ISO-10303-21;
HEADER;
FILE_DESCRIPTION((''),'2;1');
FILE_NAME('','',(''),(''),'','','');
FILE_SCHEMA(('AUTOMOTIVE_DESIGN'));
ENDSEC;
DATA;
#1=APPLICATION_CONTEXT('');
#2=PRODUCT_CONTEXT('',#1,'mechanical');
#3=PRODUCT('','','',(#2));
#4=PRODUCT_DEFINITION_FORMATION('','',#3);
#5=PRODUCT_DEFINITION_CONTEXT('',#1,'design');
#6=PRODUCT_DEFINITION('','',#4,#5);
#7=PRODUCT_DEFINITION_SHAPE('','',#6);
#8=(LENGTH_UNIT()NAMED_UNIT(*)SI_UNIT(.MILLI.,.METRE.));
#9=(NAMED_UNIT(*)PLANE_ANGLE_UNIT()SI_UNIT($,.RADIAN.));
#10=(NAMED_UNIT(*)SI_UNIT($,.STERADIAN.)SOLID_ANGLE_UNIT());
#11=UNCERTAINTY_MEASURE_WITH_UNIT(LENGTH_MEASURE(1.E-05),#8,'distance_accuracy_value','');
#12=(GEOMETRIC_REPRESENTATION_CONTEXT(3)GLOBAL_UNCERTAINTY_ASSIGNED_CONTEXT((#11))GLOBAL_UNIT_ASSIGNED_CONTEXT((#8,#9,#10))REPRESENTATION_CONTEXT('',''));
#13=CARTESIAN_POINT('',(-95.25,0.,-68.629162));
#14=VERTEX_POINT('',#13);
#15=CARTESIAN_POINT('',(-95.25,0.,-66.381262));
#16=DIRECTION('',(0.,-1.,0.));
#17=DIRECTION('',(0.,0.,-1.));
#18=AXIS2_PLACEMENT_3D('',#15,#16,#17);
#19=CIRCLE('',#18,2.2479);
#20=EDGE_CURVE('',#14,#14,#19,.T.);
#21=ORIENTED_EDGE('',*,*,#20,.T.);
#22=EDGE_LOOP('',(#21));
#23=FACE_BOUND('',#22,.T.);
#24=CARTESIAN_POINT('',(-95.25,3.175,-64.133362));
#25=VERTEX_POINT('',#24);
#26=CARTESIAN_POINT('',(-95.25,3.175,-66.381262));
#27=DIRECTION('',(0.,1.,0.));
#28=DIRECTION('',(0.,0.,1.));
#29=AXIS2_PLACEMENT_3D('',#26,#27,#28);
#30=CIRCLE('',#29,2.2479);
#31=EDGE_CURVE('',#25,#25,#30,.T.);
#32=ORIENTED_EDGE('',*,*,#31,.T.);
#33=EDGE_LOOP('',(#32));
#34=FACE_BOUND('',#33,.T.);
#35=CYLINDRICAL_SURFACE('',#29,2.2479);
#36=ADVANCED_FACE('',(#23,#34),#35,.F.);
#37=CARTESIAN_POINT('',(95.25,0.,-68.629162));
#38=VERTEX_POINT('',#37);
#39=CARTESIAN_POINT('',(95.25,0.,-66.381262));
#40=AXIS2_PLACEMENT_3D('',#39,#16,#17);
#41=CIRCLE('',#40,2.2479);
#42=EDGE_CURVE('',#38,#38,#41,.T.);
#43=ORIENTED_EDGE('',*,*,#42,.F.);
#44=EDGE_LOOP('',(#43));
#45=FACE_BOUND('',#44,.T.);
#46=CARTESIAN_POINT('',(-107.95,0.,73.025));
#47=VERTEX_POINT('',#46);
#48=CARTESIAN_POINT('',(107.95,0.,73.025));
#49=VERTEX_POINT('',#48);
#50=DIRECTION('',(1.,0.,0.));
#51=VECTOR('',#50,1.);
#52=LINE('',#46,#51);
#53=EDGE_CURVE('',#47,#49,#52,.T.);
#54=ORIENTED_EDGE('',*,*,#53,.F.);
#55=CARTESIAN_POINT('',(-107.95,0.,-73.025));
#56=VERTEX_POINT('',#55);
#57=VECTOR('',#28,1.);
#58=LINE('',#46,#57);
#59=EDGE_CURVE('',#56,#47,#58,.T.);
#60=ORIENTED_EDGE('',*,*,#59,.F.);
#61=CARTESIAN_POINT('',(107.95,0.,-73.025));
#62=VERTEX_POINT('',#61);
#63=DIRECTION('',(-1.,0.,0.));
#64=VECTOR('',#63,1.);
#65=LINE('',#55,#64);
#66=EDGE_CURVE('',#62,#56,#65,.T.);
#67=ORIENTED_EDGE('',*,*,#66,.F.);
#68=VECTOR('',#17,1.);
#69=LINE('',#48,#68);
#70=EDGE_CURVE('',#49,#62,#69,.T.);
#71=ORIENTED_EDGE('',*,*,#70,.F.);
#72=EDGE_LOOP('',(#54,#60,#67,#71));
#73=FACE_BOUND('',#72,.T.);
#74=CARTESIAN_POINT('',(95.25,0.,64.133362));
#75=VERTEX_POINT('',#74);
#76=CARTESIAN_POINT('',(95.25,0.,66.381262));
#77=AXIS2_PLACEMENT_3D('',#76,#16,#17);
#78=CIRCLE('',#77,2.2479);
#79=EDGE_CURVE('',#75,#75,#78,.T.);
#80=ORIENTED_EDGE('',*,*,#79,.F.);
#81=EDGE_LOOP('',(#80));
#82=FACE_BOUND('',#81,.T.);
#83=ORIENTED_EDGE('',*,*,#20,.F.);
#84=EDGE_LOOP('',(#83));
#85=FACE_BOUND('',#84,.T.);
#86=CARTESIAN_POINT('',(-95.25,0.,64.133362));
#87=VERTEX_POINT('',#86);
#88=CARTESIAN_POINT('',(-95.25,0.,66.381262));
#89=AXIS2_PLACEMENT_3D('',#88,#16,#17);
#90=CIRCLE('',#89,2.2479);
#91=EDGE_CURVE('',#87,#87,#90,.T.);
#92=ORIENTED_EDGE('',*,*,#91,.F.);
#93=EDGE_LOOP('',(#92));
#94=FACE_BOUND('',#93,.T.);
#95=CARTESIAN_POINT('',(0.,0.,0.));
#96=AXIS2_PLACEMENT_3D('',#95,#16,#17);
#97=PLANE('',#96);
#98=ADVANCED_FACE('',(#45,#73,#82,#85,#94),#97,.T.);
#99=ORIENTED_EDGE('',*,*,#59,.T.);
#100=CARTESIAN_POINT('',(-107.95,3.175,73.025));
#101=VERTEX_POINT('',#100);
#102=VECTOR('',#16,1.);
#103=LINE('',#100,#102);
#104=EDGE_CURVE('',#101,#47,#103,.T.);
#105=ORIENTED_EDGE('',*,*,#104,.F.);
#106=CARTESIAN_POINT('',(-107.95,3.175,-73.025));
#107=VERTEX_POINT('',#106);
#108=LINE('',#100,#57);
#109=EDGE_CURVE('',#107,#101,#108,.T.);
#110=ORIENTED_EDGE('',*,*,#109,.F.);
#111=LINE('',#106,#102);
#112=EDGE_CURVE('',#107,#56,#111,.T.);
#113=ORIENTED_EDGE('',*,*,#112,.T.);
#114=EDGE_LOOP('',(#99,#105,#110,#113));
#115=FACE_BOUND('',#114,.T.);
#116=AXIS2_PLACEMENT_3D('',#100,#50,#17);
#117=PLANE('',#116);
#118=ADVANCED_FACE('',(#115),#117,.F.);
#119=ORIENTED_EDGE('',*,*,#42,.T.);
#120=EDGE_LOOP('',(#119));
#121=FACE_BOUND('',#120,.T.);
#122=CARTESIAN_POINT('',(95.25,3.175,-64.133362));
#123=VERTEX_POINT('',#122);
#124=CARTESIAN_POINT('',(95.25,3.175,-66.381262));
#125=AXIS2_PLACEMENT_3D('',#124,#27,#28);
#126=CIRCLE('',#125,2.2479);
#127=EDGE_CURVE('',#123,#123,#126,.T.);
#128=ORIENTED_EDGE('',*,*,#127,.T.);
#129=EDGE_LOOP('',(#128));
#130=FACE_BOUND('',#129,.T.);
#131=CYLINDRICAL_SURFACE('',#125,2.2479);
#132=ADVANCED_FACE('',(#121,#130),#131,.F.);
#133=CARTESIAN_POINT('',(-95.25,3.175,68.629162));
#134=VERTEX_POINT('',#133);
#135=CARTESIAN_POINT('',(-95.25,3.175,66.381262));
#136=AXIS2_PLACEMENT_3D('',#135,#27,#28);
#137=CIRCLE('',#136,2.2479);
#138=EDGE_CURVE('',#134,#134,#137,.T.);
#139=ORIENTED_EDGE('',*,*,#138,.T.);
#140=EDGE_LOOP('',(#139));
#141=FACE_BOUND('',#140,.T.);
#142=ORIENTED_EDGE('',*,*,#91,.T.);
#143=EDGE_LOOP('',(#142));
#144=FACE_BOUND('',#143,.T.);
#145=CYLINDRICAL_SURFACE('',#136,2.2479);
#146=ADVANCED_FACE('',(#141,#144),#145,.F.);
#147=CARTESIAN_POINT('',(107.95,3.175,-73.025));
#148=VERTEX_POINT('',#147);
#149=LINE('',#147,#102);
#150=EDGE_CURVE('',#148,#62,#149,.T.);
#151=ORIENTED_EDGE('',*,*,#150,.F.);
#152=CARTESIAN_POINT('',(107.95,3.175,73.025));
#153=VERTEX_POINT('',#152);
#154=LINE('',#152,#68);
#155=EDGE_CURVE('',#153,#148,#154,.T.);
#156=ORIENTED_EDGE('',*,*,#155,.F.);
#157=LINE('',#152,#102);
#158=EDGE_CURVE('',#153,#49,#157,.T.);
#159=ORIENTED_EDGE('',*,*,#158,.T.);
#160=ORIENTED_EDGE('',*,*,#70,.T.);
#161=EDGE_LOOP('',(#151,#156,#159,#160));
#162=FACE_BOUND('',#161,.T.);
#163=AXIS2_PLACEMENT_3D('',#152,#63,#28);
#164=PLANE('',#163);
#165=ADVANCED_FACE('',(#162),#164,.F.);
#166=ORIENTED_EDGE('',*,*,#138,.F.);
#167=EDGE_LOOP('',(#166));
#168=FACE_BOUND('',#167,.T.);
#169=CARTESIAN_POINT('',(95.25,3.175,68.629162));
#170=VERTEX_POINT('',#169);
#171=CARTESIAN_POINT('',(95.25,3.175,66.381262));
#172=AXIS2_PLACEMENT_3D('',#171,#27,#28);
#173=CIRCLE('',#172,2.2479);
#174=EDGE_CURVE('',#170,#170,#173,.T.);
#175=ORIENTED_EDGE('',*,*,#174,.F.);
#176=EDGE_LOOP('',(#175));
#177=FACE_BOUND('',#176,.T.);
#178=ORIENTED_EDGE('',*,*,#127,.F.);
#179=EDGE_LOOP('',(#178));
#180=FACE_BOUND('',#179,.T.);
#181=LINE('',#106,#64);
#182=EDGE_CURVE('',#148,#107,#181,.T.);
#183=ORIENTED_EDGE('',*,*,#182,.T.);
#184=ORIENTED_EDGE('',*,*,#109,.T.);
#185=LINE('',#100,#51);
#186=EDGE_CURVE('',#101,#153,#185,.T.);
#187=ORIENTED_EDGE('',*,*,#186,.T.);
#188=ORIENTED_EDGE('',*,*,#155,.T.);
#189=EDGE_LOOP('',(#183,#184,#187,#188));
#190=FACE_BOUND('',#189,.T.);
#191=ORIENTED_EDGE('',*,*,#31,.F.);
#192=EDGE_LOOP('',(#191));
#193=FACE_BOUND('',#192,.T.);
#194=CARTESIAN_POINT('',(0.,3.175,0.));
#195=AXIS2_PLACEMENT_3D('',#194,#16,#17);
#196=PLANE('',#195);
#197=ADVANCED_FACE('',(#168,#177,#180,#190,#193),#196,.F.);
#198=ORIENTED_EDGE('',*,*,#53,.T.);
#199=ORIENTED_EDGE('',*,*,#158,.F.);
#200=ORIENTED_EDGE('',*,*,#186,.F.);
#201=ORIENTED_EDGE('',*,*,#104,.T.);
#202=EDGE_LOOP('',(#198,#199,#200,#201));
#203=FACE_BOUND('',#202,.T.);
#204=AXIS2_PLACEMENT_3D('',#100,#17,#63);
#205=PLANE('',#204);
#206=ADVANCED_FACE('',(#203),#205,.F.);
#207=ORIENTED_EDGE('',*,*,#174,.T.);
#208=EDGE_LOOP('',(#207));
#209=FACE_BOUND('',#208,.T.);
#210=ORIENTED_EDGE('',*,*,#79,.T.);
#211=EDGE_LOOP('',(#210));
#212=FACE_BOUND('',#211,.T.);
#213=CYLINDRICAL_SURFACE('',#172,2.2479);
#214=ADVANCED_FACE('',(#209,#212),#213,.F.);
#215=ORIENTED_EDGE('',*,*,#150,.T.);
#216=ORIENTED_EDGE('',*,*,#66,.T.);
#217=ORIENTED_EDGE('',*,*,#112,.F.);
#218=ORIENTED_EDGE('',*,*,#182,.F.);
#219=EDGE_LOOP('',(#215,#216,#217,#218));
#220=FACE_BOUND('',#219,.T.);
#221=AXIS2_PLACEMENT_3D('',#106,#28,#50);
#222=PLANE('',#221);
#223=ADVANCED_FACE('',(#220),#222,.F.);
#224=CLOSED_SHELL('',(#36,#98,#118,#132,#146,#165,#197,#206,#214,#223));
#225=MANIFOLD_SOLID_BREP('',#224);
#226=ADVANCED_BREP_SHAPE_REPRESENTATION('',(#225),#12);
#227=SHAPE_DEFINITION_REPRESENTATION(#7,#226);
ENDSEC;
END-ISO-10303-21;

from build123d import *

# Parameters (mm, degrees)
SKETCH1_W                 = 215.9
SKETCH1_H                 = 146.05
BOSS_EXTRUDE1_DEPTH       = 3.175
F_8_CLEARANCE_HOLE2_D     = 4.4958
F_8_CLEARANCE_HOLE2_DEPTH = 12.7
F_8_CLEARANCE_HOLE2_TIP   = 1.350674586


with BuildPart() as part:
    # Sketch1 → Boss-Extrude1 (new body)
    with BuildSketch(Plane(origin=(0, 0, 0), x_dir=(1, 0, 0), z_dir=(0, 1, 0))):
        Rectangle(SKETCH1_W, SKETCH1_H)
    extrude(amount=BOSS_EXTRUDE1_DEPTH)

    # #8 Clearance Hole2
    with Locations(Plane(origin=(0, 3.175, 0), x_dir=(1, 0, 0), z_dir=(0, 1, 0))):
        with Locations((-95.25, 66.3812617), (95.25, 66.3812617), (95.25, -66.3812617), (-95.25, -66.3812617)):
            Hole(F_8_CLEARANCE_HOLE2_D / 2, depth=F_8_CLEARANCE_HOLE2_DEPTH)
            with Locations((0, 0, -(F_8_CLEARANCE_HOLE2_DEPTH + F_8_CLEARANCE_HOLE2_TIP / 2))):  # 118° drill point
                Cone(0, F_8_CLEARANCE_HOLE2_D / 2, F_8_CLEARANCE_HOLE2_TIP, mode=Mode.SUBTRACT)


solid = part.part
